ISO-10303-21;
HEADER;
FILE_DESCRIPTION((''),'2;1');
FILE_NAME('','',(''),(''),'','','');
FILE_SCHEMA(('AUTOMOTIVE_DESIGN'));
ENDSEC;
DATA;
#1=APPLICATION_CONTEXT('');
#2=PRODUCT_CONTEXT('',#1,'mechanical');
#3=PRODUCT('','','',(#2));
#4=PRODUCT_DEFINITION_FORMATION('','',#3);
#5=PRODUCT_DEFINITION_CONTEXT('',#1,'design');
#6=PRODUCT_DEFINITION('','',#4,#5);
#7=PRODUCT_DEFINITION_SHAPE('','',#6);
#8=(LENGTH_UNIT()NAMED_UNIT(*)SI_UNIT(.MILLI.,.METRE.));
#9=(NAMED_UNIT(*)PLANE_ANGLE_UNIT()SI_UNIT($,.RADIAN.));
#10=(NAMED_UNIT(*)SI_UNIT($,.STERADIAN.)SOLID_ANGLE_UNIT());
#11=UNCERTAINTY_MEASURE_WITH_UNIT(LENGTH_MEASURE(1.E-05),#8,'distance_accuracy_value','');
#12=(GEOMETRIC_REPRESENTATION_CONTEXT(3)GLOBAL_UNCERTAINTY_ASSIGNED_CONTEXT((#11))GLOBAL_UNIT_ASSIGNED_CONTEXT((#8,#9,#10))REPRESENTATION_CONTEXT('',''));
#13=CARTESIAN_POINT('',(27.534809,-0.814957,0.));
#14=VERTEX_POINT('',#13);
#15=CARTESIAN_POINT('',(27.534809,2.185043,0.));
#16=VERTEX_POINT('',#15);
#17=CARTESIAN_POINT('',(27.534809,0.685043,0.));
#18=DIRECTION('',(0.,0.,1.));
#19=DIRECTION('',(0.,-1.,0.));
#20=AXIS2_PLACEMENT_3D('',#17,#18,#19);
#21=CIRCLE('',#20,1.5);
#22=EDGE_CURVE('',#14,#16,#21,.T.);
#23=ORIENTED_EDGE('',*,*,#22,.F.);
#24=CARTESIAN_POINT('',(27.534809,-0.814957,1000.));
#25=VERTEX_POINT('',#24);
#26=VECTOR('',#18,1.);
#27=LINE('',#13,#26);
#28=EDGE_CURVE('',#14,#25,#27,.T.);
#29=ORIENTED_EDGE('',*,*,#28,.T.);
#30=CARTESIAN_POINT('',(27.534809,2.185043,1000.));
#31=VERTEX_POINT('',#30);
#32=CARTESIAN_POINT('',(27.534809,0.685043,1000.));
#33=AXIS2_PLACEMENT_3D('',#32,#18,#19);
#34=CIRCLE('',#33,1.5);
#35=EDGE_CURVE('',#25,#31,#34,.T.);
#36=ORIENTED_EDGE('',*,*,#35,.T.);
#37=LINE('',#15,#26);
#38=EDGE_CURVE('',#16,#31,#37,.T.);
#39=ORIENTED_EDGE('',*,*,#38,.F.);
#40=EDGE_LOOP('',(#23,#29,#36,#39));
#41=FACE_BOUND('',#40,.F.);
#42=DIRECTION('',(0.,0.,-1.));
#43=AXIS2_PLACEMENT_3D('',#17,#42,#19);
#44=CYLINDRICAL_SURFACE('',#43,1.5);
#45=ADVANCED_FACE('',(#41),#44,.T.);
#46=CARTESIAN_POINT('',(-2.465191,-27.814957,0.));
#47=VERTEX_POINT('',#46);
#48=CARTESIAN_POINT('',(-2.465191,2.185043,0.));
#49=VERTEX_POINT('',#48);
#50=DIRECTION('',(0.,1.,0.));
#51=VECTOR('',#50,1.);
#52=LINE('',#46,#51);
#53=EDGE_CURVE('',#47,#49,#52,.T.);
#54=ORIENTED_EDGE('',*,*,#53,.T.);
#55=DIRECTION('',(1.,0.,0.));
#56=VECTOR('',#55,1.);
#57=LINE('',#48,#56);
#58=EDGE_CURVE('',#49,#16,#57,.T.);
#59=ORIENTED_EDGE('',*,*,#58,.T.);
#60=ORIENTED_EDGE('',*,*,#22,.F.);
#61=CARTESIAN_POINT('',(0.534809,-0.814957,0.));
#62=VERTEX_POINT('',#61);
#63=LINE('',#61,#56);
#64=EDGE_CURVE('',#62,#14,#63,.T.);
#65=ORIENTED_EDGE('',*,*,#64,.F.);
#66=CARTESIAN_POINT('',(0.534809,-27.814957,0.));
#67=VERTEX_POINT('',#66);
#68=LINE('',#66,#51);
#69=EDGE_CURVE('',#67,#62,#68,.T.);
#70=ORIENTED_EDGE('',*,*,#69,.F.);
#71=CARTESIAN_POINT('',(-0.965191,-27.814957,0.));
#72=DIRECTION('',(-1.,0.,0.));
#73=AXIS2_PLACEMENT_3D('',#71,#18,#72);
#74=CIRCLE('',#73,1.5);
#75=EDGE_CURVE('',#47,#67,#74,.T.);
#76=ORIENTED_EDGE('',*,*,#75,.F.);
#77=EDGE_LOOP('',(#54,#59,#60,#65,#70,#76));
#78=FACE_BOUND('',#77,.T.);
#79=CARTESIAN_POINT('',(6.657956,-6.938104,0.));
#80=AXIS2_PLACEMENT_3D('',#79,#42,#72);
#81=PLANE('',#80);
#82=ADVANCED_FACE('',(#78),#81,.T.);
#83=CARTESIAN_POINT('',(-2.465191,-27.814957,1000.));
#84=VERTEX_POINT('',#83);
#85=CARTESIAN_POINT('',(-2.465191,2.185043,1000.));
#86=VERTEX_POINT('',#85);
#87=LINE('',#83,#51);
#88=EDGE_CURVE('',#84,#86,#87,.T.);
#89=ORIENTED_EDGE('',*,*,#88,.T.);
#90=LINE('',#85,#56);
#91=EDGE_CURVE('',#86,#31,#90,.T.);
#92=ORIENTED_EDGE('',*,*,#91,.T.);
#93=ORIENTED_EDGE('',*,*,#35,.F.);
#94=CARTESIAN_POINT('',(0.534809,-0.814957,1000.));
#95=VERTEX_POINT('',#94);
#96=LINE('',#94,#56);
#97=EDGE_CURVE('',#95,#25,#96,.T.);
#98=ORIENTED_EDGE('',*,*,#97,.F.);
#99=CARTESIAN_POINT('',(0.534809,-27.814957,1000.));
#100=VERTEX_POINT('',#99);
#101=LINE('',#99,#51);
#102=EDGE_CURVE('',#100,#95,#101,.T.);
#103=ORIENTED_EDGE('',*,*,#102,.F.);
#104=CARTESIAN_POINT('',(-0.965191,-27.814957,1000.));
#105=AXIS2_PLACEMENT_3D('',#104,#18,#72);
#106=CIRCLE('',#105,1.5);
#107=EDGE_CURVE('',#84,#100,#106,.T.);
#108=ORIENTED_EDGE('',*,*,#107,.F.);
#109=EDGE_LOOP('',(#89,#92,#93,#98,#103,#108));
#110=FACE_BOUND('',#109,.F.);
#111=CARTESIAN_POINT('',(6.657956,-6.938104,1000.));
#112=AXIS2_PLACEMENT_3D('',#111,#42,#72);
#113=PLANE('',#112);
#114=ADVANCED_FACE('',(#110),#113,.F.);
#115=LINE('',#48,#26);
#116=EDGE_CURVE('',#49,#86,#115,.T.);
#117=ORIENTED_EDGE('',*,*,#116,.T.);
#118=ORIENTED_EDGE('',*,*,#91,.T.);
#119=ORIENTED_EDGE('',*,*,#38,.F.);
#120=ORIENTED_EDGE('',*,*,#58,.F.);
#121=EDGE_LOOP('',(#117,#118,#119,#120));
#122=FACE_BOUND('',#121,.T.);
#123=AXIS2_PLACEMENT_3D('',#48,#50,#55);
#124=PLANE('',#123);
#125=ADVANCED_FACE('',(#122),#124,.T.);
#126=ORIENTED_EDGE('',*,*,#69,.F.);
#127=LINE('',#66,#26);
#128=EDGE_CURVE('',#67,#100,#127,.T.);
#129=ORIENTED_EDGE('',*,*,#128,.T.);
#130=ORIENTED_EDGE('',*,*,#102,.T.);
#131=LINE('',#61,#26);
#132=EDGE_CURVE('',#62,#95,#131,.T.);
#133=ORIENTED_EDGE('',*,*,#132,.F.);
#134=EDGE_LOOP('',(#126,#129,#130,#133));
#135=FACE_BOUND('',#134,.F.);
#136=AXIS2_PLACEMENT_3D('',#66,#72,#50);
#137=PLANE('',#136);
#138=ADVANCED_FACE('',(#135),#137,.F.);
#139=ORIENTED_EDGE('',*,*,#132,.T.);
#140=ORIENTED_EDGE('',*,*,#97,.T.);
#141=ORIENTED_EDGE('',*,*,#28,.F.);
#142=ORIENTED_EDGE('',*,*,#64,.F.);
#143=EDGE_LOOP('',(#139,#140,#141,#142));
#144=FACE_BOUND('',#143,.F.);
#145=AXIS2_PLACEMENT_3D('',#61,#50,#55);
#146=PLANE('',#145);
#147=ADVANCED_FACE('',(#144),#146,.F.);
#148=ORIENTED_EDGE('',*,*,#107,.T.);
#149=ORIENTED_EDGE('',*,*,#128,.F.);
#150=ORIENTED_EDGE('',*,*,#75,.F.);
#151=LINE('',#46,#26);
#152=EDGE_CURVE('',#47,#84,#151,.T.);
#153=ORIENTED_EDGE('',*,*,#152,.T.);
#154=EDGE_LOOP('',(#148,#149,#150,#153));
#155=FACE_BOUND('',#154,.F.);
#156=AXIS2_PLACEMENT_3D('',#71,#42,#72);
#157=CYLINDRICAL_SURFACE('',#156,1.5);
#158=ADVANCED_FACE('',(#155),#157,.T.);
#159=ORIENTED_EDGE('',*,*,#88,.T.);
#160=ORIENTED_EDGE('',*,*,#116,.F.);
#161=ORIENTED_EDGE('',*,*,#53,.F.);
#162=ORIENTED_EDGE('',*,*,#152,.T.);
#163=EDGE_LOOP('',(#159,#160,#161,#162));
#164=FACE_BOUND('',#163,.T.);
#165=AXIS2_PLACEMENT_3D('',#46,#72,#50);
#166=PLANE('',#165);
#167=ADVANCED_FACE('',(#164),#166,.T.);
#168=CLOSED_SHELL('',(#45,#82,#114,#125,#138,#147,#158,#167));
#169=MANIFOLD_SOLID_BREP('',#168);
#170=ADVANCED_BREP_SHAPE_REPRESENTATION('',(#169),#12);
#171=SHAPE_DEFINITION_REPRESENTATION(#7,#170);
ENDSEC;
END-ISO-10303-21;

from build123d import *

# Parameters (mm, degrees)
PAD_DEPTH = 1000


with BuildPart() as part:
    # Sketch → Pad (new body)
    with BuildSketch(Plane.XY):
        with BuildLine():
            Line((-2.465191, -27.814957), (-2.465191, 2.185043))
            Line((-2.465191, 2.185043), (27.534809, 2.185043))
            ThreePointArc((27.534809, -0.814957), (29.034809, 0.685043), (27.534809, 2.185043))
            Line((0.534809, -0.814957), (27.534809, -0.814957))
            Line((0.534809, -27.814957), (0.534809, -0.814957))
            ThreePointArc((-2.465191, -27.814957), (-0.965191, -29.314957), (0.534809, -27.814957))
        make_face()
    extrude(amount=PAD_DEPTH)


solid = part.part
